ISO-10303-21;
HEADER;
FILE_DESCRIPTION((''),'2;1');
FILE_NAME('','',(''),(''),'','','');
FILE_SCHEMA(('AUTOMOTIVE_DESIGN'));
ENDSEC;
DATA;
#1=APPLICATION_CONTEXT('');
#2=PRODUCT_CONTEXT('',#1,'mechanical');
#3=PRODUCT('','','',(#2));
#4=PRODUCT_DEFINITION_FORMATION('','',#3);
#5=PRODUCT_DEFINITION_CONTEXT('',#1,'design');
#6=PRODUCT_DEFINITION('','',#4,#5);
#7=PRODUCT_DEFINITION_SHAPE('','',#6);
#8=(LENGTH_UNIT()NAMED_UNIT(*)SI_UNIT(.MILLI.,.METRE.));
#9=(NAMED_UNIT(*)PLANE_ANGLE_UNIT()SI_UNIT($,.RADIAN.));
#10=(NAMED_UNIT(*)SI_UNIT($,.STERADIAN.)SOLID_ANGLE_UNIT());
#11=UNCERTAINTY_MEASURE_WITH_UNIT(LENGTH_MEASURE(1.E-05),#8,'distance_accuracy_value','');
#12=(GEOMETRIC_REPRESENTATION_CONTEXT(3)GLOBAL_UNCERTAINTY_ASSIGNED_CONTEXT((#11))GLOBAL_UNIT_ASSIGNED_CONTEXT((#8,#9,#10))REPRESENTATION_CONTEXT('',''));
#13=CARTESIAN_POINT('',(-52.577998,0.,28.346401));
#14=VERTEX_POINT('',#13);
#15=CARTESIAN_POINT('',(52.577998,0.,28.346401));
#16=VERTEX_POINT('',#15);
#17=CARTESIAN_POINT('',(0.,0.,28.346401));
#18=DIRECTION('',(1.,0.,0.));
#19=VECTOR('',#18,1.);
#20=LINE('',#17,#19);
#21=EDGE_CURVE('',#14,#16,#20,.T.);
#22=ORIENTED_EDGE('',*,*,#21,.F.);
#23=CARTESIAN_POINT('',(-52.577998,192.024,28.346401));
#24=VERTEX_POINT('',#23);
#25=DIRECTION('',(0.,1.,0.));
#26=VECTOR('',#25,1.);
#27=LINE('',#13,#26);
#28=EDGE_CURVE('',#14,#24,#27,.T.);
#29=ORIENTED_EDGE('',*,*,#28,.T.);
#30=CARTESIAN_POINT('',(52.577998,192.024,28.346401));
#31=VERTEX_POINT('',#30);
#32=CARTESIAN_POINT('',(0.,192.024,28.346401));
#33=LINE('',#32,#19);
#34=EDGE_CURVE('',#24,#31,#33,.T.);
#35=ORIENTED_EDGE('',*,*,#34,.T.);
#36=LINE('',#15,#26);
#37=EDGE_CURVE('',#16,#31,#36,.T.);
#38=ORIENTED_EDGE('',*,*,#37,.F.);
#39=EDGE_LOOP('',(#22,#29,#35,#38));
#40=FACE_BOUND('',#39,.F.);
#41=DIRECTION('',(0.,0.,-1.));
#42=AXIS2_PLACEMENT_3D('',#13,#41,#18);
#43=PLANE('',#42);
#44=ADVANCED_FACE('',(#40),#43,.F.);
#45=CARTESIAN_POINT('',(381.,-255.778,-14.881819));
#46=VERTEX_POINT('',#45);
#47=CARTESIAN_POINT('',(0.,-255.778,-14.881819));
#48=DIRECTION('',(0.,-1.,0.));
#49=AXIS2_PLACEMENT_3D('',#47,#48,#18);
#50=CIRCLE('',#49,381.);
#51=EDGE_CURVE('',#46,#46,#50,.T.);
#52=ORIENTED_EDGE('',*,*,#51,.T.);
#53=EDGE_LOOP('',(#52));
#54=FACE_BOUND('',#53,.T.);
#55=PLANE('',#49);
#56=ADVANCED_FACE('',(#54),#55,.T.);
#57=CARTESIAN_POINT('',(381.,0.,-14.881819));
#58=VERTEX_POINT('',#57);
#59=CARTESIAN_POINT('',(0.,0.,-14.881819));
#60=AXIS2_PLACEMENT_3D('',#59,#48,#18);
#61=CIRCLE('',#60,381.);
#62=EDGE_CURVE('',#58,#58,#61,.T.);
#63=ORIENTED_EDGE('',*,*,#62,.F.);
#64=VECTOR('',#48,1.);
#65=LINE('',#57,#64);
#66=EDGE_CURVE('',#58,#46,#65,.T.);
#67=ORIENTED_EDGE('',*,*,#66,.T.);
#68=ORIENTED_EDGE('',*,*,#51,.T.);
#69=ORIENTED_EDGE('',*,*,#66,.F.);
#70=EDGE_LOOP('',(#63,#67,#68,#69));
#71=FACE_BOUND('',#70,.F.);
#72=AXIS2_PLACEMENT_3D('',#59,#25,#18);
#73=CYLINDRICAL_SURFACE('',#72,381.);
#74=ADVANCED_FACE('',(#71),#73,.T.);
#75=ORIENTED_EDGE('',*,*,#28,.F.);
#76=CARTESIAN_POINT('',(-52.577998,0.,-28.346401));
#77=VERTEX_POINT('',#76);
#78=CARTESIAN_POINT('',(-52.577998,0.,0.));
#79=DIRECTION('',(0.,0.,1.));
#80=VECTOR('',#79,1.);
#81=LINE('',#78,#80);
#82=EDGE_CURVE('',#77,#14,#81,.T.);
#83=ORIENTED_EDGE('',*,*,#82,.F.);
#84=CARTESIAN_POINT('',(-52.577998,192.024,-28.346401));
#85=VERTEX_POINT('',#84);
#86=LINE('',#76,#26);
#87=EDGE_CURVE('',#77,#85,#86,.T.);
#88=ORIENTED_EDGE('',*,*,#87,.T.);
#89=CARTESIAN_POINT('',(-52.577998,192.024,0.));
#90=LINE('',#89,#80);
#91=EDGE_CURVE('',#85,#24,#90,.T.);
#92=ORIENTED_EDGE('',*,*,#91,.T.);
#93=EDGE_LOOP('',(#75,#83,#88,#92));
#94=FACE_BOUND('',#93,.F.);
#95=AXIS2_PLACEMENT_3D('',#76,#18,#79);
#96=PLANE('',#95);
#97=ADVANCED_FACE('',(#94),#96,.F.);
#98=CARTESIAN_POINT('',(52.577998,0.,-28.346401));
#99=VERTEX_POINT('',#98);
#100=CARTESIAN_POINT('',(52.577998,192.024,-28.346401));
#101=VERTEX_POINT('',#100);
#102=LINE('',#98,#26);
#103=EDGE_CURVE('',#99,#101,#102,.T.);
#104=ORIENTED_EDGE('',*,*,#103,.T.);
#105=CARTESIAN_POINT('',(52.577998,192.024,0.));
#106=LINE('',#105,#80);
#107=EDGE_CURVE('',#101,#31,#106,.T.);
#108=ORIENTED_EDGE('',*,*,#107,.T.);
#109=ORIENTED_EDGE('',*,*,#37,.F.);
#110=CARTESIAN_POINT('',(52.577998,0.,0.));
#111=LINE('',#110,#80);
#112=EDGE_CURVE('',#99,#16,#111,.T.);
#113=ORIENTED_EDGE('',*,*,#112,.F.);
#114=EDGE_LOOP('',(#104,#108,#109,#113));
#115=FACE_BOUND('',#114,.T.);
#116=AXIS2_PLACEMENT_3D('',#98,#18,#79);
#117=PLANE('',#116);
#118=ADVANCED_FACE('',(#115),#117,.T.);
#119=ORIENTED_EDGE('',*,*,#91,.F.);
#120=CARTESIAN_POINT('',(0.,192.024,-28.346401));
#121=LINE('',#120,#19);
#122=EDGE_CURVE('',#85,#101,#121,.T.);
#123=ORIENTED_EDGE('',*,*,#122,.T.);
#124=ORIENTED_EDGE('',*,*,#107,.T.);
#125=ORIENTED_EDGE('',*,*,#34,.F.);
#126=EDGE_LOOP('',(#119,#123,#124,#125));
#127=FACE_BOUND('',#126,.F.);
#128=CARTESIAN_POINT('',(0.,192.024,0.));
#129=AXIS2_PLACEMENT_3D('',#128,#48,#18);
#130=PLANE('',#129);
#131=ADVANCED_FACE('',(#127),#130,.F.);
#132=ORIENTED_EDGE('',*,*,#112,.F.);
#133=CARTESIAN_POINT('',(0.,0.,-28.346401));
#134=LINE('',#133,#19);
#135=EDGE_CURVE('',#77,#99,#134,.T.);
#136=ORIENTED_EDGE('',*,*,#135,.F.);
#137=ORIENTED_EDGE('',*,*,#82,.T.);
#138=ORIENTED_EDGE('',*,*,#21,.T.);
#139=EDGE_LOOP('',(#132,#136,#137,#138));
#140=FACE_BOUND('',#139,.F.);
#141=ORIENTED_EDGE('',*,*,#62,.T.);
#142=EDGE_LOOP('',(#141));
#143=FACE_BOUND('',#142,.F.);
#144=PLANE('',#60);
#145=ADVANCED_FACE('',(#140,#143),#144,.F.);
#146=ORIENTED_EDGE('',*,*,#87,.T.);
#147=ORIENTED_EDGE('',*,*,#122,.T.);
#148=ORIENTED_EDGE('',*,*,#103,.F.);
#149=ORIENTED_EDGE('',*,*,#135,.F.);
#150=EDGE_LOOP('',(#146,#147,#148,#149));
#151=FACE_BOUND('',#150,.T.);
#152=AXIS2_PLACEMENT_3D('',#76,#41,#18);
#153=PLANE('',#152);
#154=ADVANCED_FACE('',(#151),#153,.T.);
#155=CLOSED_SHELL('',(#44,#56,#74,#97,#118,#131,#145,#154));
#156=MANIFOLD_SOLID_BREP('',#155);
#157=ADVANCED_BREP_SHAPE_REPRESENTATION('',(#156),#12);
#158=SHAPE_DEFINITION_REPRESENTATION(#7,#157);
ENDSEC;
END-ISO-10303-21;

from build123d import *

# Parameters (mm, degrees)
F0_W     = 105.155996
F0_H     = 56.692802
F1_DEPTH = 192.024
F2_R     = 381
F3_DEPTH = 255.778


with BuildPart() as f1:
    # F0 (on Front) → F1 (new body)
    with BuildSketch(Plane.XZ):
        Rectangle(F0_W, F0_H)
    extrude(amount=-F1_DEPTH)

    # F2 (on Front) → F3 (join)
    with BuildSketch(Plane.XZ):
        with Locations((0, -14.881819)):
            Circle(F2_R)
    extrude(amount=F3_DEPTH)


solid = f1.part
